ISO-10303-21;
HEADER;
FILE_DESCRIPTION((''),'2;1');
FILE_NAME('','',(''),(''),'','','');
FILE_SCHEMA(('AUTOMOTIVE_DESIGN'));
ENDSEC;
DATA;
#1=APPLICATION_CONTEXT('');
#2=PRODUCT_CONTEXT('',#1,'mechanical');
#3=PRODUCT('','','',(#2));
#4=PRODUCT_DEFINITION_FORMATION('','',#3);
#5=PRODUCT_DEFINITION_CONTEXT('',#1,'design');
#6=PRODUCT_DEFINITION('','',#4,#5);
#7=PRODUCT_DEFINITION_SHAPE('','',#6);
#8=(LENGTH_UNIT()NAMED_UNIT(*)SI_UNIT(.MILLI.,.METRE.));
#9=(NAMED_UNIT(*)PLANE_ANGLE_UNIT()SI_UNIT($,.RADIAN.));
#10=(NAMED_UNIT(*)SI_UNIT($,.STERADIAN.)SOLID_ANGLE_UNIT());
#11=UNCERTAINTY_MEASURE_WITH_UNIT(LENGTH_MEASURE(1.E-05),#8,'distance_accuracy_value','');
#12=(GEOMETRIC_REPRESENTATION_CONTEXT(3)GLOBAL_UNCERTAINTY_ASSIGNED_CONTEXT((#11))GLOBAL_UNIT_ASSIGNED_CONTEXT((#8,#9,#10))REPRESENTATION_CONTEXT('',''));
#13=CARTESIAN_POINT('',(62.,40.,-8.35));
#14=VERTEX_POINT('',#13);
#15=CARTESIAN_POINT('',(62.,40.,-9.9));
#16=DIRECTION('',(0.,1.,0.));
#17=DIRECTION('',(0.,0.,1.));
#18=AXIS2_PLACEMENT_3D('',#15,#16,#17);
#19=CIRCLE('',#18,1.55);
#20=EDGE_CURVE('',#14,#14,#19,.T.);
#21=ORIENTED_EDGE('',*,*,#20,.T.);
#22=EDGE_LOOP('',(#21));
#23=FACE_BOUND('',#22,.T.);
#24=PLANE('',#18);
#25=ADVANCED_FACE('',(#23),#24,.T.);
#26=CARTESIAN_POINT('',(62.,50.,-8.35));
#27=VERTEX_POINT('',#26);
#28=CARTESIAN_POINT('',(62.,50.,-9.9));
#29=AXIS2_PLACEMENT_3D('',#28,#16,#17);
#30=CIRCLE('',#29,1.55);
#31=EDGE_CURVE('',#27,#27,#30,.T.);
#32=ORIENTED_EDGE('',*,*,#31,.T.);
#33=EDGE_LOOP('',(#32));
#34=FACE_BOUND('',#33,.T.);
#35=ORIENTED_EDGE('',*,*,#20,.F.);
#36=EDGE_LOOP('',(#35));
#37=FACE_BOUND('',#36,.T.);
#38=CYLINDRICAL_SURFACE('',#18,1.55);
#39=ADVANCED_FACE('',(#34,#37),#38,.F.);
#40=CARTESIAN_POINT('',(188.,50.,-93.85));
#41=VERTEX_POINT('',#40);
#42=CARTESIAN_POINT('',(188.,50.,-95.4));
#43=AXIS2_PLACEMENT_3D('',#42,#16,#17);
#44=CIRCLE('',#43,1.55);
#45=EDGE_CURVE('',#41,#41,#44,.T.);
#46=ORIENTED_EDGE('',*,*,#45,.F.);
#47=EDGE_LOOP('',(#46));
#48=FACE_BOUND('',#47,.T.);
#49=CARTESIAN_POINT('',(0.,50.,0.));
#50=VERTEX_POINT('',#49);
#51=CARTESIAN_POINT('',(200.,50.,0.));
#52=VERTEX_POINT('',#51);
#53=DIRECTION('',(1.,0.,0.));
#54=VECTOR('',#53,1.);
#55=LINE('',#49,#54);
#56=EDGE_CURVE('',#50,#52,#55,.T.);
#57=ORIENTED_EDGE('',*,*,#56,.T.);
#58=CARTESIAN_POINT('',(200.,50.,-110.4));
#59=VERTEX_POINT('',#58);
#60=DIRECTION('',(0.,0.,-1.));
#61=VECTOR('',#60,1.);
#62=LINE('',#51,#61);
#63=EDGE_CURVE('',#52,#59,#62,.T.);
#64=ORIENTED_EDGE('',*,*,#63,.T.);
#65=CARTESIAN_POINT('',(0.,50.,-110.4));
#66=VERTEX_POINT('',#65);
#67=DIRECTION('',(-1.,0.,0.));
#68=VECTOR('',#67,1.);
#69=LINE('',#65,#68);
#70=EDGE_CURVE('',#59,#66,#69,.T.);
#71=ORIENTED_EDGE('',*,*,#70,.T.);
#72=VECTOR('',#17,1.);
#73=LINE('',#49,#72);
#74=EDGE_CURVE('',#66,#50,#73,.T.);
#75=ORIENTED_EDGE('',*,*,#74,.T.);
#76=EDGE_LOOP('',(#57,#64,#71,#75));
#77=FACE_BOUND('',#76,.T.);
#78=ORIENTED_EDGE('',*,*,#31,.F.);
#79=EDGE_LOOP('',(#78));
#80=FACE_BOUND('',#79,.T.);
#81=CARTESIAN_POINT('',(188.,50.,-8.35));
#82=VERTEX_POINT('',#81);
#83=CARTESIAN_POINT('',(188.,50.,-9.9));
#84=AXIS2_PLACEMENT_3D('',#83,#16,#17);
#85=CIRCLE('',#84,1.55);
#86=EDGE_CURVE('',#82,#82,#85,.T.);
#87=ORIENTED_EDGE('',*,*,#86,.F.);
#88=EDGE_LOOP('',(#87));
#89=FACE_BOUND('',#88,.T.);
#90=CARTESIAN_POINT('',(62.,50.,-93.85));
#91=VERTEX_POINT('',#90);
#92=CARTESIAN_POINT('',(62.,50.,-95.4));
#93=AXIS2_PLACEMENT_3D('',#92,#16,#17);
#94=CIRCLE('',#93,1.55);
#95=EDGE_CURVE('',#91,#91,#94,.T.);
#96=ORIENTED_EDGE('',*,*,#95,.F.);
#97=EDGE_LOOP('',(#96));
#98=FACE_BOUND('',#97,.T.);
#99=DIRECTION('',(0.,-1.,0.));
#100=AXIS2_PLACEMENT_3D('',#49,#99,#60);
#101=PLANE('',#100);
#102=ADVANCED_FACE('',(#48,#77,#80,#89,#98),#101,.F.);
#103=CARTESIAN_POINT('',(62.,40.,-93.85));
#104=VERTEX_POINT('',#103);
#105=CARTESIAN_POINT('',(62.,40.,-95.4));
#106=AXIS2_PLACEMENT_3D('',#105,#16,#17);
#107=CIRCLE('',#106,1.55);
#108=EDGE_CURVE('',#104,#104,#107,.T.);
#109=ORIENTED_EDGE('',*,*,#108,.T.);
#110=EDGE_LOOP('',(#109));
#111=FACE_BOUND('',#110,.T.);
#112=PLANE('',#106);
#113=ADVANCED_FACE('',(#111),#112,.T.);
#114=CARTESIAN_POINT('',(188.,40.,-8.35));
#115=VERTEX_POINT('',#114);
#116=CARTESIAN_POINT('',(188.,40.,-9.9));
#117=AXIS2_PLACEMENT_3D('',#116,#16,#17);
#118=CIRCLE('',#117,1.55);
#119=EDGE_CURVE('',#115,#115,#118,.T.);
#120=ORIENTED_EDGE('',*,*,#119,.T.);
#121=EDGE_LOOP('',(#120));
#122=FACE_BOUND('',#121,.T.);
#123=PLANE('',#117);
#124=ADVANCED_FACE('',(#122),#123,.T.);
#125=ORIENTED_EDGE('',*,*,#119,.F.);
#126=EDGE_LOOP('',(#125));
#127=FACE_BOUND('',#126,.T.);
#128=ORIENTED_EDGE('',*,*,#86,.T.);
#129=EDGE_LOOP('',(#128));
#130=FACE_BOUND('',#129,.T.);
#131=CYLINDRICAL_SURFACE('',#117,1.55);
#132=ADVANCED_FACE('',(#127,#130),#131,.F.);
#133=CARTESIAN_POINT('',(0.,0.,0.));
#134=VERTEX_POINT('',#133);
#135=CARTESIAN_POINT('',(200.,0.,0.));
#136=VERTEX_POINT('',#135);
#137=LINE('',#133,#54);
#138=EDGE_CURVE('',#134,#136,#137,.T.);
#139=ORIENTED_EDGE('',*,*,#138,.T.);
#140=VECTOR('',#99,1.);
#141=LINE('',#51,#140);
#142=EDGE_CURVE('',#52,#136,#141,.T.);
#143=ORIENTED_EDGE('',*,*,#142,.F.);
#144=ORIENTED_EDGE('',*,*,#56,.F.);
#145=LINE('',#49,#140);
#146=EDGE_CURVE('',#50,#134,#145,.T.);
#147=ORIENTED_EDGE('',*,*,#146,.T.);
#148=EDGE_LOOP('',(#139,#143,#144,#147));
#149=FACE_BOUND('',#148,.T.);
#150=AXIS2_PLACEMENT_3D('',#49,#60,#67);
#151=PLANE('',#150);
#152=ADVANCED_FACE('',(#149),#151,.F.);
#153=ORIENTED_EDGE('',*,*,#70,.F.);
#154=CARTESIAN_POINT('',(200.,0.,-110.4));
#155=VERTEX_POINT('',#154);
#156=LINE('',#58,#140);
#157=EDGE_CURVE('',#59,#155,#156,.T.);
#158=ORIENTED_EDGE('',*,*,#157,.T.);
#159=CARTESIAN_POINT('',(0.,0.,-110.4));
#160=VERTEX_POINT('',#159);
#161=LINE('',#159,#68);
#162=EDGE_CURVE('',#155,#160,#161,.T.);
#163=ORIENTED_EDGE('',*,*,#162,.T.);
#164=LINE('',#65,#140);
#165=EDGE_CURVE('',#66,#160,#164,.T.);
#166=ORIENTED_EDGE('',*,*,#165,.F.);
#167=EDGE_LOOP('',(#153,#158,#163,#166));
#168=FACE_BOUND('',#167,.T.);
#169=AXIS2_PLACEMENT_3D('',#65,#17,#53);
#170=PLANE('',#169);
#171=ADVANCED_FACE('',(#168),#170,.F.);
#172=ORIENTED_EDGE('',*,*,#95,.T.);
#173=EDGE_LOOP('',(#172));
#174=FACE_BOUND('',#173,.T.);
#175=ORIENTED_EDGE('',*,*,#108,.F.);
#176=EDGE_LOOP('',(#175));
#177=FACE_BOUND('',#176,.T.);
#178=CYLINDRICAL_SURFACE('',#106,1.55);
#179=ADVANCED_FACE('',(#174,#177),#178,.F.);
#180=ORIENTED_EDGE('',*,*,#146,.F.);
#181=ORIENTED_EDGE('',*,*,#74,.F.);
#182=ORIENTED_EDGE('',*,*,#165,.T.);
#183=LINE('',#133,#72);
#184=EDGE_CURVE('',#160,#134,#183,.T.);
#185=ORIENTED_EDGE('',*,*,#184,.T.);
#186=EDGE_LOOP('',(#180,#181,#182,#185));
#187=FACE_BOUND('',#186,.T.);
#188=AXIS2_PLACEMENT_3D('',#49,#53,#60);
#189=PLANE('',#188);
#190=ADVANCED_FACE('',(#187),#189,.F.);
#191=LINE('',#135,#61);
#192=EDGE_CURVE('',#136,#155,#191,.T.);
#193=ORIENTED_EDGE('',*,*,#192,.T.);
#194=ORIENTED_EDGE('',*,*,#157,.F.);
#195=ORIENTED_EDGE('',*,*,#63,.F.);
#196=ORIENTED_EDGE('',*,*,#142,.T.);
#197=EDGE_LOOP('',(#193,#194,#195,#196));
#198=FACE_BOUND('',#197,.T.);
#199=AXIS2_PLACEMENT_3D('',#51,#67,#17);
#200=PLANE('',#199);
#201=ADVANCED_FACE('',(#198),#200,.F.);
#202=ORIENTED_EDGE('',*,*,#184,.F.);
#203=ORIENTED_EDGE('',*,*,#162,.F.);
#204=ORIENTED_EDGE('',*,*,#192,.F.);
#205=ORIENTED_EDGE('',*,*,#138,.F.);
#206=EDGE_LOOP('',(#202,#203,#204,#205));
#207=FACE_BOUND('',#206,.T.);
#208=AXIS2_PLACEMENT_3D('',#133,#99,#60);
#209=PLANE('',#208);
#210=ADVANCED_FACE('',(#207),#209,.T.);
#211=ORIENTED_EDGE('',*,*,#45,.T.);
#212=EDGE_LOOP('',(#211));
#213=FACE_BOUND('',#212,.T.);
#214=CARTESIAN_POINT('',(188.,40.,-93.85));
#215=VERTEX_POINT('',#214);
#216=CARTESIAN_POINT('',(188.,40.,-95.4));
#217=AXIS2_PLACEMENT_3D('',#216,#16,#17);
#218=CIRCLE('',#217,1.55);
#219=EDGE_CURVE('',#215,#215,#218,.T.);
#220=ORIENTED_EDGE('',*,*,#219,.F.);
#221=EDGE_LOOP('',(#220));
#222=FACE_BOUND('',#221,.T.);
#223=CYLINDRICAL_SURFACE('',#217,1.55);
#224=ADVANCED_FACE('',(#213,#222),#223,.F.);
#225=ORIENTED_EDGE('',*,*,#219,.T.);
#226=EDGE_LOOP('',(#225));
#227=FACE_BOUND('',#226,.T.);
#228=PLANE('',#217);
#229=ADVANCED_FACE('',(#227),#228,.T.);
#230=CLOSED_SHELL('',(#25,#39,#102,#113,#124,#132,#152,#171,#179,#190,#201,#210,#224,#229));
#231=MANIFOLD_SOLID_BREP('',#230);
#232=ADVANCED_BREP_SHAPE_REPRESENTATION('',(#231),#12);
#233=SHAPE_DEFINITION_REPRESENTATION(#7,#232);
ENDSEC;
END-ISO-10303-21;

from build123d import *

# Parameters (mm, degrees)
SKETCH1_W           = 200
SKETCH1_H           = 110.4
BOSS_EXTRUDE1_DEPTH = 50
SKETCH2_R           = 1.55
CUT_EXTRUDE1_DEPTH  = 10


with BuildPart() as part:
    # Sketch1 → Boss-Extrude1 (new body)
    with BuildSketch(Plane(origin=(0, 0, 0), x_dir=(1, 0, 0), z_dir=(0, 1, 0))):
        with Locations((100, 55.2)):
            Rectangle(SKETCH1_W, SKETCH1_H)
    extrude(amount=BOSS_EXTRUDE1_DEPTH)

    # Sketch2 → Cut-Extrude1 (cut)
    with BuildSketch(Plane(origin=(0, 50, 0), x_dir=(1, 0, 0), z_dir=(0, 1, 0))):
        with Locations(Location((62, 95.4, 0), (0, 0, 270))):
            Circle(SKETCH2_R)
        with Locations(Location((188, 95.4, 0), (0, 0, 270))):
            Circle(SKETCH2_R)
        with Locations(Location((188, 9.9, 0), (0, 0, 270))):
            Circle(SKETCH2_R)
        with Locations(Location((62, 9.9, 0), (0, 0, 270))):
            Circle(SKETCH2_R)
    extrude(amount=-CUT_EXTRUDE1_DEPTH, mode=Mode.SUBTRACT)


solid = part.part
